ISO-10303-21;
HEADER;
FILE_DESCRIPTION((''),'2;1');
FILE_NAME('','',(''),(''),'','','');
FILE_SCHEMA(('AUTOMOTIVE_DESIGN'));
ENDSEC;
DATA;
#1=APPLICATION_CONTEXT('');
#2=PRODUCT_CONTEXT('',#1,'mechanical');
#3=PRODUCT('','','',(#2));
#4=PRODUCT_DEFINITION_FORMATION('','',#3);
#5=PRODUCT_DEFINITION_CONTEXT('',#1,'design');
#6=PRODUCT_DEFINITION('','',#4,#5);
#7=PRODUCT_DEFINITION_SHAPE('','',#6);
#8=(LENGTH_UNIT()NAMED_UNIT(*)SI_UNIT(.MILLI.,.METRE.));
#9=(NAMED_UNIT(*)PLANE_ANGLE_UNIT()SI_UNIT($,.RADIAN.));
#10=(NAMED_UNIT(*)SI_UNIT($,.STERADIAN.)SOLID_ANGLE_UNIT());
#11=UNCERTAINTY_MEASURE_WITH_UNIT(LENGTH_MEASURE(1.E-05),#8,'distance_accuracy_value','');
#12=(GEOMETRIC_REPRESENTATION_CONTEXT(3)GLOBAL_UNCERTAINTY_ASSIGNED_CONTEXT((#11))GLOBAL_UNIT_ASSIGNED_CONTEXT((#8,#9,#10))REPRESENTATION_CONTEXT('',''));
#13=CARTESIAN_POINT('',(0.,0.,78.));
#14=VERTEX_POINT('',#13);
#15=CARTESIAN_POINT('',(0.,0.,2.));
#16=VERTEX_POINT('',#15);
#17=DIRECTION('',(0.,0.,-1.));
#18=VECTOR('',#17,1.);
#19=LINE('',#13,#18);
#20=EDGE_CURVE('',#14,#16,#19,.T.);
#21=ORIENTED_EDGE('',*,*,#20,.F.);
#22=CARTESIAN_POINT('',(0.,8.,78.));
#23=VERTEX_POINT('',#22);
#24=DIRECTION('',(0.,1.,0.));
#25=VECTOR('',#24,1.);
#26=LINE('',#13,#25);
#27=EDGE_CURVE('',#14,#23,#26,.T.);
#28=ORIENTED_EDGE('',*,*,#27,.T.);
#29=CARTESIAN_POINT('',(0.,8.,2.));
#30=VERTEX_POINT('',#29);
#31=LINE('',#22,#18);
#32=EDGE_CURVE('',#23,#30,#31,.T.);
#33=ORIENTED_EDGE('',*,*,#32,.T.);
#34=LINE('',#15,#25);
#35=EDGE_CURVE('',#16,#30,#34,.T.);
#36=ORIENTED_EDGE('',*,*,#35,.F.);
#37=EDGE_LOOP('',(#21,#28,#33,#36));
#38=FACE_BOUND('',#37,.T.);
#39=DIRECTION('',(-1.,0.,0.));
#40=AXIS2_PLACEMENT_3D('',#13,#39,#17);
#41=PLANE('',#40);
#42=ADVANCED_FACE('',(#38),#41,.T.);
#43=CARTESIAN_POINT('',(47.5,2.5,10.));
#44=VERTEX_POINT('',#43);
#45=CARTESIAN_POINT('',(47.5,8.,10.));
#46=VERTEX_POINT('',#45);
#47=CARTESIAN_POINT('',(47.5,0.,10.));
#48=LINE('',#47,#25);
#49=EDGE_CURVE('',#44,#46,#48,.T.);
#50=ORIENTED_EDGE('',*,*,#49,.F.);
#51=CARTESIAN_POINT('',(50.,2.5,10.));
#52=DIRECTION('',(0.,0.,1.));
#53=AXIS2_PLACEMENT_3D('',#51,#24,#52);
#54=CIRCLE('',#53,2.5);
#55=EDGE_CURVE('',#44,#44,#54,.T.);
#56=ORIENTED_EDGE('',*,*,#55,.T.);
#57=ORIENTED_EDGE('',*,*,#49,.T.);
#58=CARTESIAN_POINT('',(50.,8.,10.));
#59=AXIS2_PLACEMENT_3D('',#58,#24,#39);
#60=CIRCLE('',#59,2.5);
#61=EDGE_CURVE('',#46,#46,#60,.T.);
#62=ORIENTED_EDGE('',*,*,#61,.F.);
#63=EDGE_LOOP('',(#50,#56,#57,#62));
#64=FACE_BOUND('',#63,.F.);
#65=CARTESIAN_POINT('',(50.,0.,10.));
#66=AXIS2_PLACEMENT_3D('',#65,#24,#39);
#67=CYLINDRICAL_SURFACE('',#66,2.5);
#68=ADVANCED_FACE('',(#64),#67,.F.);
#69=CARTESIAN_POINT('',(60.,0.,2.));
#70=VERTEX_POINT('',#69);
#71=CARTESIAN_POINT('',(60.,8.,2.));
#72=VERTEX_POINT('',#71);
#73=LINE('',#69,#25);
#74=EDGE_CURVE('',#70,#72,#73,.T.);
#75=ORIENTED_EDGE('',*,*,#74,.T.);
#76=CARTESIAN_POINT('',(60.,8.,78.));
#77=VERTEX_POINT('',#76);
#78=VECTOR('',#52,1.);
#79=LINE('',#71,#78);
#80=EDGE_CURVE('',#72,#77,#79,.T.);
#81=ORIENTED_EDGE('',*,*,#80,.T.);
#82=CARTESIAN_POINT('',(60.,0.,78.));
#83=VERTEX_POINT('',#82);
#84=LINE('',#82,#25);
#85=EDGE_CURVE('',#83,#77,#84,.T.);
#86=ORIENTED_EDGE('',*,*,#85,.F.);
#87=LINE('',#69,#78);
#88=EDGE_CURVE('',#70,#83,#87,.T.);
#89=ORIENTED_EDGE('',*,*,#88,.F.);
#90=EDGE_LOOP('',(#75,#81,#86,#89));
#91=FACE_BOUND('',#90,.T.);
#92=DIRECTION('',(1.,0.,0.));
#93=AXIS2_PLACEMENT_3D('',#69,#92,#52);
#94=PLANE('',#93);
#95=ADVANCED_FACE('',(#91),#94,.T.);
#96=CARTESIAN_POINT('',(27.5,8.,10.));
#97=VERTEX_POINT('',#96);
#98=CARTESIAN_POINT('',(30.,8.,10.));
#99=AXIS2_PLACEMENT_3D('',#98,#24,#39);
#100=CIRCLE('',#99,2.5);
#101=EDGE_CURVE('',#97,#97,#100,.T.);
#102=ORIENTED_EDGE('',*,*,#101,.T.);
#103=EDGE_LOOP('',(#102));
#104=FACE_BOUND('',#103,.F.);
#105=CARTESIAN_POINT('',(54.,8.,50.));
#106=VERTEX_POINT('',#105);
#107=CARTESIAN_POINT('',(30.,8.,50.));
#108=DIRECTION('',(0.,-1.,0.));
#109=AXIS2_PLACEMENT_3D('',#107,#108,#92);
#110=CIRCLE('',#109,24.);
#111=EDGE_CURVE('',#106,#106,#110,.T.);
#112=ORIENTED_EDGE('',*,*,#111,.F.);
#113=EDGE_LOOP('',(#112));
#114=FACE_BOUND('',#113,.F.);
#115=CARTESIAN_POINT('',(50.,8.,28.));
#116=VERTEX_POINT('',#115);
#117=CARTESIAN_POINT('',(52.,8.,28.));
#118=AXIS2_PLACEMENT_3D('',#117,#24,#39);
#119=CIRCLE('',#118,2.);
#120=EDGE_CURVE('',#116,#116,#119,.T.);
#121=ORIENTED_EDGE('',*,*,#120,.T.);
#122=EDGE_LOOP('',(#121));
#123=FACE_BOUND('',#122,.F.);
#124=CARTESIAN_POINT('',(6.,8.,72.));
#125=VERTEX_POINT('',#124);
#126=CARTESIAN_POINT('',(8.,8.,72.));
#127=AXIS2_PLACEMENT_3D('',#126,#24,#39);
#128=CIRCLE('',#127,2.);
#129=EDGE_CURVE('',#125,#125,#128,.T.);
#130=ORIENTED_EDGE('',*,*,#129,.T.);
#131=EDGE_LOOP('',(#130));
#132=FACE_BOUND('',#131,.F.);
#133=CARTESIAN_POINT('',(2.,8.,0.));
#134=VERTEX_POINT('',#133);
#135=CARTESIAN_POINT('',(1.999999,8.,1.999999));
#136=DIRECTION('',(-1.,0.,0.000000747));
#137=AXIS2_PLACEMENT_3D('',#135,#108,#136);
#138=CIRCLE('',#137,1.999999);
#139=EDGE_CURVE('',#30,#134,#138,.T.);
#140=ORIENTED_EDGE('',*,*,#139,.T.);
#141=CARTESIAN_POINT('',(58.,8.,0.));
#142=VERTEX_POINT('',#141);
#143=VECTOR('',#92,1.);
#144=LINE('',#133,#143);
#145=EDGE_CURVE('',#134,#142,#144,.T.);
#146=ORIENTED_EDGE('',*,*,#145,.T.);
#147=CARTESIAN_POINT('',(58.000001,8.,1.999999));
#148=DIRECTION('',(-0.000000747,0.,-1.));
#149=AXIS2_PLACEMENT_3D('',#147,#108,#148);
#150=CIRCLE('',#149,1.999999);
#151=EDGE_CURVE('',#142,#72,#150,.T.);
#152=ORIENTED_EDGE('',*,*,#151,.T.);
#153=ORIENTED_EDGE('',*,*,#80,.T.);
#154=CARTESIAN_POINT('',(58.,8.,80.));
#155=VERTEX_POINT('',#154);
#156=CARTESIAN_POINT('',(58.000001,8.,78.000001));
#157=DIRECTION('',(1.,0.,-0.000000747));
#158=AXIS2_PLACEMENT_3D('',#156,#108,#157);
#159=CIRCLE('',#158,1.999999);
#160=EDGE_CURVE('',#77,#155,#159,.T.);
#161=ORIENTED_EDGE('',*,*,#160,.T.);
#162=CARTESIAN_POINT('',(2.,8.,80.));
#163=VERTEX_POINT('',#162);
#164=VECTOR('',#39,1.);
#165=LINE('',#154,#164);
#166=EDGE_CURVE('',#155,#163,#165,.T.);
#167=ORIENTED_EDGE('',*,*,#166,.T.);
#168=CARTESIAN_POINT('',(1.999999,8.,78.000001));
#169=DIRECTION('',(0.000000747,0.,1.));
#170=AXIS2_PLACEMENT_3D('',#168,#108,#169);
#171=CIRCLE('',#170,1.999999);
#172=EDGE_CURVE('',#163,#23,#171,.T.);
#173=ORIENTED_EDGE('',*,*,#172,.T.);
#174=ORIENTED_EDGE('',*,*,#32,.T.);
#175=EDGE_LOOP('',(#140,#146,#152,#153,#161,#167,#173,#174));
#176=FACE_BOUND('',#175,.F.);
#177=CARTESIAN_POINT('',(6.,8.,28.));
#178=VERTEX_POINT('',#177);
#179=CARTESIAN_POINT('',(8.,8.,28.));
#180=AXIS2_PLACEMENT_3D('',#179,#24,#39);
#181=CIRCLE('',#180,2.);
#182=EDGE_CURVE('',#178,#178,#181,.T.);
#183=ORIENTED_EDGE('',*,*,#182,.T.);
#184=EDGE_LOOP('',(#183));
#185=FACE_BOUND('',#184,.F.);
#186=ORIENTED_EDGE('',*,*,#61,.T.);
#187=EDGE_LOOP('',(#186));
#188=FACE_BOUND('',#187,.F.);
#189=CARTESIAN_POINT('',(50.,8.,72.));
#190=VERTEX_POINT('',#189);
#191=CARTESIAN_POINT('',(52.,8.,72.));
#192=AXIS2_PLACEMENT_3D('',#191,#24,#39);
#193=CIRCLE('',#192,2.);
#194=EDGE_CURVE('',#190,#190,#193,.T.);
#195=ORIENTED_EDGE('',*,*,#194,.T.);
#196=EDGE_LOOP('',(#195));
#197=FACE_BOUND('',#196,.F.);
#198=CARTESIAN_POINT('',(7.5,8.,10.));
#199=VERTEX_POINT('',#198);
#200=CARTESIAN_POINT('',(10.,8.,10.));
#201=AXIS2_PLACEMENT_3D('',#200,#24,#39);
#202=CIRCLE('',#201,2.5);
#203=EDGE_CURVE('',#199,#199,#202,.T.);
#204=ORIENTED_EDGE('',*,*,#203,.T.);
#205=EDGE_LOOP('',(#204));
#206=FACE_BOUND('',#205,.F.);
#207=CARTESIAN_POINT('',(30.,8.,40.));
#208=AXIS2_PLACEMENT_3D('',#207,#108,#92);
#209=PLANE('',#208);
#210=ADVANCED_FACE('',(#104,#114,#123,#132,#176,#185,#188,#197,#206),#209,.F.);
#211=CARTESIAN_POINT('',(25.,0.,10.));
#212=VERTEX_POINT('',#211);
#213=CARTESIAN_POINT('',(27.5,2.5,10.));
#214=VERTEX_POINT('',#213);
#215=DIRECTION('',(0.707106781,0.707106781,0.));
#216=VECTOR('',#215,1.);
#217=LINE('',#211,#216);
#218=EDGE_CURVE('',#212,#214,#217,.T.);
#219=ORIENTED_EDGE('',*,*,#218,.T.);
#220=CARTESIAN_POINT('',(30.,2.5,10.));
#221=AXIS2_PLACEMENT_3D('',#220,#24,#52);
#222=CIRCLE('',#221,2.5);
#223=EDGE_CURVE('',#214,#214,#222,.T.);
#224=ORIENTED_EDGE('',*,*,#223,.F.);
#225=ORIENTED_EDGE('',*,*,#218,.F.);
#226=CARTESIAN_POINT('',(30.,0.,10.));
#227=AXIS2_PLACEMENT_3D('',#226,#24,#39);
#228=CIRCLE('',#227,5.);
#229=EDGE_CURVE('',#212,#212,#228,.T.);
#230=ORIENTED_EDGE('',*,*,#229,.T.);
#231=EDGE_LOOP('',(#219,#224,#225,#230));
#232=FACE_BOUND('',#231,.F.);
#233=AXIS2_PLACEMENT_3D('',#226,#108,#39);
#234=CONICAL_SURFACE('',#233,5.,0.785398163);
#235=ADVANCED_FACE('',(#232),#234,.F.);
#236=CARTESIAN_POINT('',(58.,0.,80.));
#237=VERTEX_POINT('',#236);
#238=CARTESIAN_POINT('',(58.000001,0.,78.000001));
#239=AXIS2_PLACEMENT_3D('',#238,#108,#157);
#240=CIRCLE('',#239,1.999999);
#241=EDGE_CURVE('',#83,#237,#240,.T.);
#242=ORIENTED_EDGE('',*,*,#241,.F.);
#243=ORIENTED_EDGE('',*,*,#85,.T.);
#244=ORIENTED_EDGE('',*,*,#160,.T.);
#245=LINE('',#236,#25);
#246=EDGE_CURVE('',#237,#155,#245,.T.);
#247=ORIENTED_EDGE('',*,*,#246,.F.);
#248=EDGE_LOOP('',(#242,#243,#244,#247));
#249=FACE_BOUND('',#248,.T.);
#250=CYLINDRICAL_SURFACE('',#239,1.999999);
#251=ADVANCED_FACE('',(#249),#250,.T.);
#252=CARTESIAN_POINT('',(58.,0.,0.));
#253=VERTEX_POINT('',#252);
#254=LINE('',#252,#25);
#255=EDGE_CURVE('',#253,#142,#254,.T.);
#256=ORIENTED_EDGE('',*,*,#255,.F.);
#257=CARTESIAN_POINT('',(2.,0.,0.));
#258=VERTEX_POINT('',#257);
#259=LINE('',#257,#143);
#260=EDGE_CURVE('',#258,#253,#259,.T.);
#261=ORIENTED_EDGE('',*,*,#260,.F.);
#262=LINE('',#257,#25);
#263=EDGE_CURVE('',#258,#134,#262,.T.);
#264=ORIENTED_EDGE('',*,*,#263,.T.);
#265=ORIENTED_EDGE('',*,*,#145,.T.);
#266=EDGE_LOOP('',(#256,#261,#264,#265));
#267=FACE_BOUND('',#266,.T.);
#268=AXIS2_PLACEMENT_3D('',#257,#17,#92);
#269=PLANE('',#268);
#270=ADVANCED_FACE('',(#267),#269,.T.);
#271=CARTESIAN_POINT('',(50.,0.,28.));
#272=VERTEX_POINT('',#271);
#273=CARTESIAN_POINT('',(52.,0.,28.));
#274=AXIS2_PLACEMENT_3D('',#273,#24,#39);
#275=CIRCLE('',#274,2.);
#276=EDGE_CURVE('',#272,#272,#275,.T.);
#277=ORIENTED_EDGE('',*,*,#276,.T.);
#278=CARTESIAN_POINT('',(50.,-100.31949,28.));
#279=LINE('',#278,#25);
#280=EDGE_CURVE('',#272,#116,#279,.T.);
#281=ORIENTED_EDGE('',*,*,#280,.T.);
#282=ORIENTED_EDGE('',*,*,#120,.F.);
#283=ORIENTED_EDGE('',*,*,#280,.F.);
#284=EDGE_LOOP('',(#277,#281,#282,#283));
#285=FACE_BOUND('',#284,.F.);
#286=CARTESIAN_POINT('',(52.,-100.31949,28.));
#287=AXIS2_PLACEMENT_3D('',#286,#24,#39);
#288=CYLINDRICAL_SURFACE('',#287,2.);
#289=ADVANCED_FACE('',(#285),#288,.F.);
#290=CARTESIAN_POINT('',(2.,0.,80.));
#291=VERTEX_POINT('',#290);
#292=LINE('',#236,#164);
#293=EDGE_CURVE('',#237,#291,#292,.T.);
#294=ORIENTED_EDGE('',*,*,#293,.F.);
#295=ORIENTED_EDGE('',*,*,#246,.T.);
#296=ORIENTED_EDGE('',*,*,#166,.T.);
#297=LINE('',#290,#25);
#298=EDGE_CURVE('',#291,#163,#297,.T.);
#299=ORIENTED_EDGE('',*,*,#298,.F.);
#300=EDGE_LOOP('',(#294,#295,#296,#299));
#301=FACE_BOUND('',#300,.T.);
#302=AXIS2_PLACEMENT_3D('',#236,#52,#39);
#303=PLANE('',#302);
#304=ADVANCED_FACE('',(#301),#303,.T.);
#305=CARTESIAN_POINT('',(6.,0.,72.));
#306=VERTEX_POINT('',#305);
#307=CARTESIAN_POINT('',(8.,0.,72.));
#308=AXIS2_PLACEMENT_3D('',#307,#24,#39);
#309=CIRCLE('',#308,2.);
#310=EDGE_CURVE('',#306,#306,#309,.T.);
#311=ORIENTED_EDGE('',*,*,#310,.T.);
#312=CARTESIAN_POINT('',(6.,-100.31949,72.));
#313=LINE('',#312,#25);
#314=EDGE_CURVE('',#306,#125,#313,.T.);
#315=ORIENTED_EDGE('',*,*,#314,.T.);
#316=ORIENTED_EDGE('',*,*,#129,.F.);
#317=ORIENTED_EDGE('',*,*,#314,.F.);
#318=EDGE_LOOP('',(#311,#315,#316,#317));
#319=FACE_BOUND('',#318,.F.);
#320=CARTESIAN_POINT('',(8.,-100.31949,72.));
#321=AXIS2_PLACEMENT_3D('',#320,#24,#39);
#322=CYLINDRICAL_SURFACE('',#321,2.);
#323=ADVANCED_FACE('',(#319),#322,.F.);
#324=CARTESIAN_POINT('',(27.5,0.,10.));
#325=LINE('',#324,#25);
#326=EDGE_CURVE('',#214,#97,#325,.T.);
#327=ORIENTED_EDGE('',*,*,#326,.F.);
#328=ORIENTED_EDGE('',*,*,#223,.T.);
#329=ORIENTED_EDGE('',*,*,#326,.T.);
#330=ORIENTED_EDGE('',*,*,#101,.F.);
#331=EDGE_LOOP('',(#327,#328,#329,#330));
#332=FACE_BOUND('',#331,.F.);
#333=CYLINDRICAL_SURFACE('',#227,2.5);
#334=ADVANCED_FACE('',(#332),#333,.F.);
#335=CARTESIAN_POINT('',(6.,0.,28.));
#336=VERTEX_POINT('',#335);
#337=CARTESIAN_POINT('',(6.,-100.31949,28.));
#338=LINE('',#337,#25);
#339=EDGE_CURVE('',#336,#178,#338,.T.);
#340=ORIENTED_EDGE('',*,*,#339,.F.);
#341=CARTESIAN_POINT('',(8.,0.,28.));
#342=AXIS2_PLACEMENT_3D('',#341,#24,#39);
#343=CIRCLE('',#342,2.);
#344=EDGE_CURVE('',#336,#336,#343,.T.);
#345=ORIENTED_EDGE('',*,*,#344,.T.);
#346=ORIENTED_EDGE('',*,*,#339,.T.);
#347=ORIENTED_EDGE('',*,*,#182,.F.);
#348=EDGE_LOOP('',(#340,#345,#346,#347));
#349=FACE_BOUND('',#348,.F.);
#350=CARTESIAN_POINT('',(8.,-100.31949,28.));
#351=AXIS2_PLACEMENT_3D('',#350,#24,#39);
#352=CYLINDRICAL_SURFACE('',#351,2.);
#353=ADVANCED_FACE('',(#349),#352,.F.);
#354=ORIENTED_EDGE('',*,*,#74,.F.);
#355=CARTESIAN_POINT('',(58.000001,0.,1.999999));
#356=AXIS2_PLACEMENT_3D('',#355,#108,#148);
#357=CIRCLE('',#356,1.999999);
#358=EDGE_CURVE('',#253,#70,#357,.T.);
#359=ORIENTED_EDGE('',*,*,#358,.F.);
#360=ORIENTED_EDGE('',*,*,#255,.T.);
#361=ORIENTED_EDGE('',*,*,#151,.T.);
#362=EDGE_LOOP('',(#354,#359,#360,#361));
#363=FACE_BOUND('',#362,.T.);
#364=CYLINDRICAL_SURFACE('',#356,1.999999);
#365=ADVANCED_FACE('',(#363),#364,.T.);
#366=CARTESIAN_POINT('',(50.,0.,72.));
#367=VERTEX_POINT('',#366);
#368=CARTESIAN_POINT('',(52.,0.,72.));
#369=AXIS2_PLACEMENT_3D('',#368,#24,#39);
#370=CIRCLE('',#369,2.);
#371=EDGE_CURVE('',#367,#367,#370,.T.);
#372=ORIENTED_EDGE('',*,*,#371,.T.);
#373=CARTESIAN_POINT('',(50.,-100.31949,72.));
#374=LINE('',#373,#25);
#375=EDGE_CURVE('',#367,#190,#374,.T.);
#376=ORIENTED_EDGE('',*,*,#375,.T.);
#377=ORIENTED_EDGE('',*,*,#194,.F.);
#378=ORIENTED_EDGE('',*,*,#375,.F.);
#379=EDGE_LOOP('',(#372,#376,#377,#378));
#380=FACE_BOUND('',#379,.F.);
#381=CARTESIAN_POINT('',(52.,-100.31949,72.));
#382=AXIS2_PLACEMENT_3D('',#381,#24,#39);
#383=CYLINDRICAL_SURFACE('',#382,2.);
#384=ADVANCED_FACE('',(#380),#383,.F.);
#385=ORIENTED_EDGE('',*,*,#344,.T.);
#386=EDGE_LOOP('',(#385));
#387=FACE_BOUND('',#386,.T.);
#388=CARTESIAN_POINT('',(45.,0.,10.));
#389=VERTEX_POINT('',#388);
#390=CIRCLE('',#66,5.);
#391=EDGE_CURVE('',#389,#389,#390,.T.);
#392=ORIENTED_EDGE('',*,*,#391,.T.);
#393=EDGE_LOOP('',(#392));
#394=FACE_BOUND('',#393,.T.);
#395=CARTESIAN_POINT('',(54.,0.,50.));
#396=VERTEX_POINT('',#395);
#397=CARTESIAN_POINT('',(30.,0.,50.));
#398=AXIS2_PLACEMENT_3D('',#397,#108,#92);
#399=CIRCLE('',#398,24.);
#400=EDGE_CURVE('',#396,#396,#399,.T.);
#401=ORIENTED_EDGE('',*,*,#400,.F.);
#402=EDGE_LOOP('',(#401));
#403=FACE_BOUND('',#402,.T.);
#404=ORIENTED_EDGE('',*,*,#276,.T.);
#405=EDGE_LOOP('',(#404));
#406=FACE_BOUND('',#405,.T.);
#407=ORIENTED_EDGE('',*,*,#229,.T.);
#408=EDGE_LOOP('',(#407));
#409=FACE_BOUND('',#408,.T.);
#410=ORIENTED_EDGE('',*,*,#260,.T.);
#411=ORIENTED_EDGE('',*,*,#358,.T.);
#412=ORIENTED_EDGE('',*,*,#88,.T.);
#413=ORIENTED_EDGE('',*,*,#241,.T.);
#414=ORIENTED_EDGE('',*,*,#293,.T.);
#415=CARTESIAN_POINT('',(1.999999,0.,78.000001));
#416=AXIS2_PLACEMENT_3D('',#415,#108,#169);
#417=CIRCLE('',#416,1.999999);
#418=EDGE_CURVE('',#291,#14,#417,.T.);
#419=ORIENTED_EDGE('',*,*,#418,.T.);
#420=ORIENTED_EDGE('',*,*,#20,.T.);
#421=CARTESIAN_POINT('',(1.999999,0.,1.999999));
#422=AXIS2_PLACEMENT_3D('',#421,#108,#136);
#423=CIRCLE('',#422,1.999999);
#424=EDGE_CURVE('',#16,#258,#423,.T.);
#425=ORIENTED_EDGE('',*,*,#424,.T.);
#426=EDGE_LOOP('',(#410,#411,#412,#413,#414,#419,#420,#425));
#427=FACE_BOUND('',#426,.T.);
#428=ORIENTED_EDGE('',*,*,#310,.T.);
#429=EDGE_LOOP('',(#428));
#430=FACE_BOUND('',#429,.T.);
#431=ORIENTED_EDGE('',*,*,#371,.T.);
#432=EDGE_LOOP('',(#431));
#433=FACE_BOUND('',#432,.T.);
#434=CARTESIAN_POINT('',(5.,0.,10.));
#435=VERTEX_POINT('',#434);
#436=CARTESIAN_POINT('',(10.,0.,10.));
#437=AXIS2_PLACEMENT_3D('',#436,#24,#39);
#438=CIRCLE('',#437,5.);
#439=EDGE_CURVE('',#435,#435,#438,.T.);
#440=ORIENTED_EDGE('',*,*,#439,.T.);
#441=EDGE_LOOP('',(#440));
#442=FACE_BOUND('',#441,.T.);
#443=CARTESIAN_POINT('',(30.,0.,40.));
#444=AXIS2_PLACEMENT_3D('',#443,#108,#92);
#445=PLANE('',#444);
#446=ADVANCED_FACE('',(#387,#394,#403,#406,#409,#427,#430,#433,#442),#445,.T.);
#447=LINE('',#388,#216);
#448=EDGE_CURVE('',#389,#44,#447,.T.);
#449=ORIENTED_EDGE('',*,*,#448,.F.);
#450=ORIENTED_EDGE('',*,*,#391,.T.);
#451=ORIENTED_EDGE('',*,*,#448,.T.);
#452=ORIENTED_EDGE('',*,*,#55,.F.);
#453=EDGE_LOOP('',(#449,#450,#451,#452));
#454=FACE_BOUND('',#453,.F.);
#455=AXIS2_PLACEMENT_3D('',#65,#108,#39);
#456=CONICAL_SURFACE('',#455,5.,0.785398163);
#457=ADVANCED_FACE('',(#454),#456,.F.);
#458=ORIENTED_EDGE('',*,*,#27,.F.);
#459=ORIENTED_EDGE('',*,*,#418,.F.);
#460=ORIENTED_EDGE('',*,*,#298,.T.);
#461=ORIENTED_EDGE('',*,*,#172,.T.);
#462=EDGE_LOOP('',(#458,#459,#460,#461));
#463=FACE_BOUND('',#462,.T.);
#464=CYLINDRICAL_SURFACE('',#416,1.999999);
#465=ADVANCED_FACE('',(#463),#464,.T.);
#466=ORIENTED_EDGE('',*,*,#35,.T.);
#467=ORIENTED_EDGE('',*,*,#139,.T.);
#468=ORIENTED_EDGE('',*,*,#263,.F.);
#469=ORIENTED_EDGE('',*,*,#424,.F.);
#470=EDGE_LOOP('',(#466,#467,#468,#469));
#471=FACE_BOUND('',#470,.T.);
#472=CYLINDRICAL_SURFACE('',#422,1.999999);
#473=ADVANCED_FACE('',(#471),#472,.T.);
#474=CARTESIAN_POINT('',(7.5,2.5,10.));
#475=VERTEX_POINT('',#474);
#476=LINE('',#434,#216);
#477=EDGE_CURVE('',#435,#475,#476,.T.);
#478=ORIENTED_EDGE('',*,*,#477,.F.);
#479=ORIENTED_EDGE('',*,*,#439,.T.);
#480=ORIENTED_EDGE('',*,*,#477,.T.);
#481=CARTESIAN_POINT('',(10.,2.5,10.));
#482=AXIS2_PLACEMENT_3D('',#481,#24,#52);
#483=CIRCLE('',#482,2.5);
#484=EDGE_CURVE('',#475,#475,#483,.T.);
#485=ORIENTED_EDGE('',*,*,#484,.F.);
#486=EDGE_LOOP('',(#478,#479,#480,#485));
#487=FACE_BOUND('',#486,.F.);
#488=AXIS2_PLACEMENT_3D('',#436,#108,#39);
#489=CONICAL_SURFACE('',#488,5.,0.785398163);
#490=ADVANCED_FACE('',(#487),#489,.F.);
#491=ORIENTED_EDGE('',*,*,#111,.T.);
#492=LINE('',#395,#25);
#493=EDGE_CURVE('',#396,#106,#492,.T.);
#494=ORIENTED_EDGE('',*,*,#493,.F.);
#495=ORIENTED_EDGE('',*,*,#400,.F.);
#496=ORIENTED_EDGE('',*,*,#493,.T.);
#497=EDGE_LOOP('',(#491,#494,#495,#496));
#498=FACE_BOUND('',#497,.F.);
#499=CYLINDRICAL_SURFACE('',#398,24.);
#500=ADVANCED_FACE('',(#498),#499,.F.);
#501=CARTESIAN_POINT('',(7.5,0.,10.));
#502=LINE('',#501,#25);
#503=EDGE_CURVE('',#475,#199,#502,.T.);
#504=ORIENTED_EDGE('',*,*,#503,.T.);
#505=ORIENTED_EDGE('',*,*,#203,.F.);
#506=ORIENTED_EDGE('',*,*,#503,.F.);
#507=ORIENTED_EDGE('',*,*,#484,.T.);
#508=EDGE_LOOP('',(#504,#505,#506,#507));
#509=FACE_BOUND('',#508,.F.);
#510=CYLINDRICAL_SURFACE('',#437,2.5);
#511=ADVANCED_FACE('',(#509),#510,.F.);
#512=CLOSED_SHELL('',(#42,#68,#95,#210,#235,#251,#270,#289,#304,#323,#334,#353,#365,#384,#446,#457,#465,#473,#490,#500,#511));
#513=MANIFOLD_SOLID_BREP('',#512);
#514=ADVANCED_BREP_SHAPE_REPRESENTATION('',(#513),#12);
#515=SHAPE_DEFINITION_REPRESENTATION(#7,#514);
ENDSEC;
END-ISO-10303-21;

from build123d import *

# Parameters (mm, degrees)
F0_R           = 24
F1_DEPTH       = 8
F2_D           = 5
F2_CSINK_D     = 10
F2_CSINK_ANGLE = 90
F3_D           = 4


with BuildPart() as f1:
    # F0 (on Front) → F1 (new body)
    with BuildSketch(Plane.XZ):
        with BuildLine():
            ThreePointArc((0, 2), (0.585786, 0.585786), (2, 0))
            Line((2, 0), (58, 0))
            ThreePointArc((58, 0), (59.414214, 0.585786), (60, 2))
            Line((60, 2), (60, 78))
            ThreePointArc((60, 78), (59.414214, 79.414214), (58, 80))
            Line((58, 80), (2, 80))
            ThreePointArc((2, 80), (0.585786, 79.414214), (0, 78))
            Line((0, 78), (0, 2))
        make_face()
        with Locations((30, 50)):
            Circle(F0_R, mode=Mode.SUBTRACT)
    extrude(amount=-F1_DEPTH)

    # F2 (through all)
    with Locations(Plane.XZ):
        with Locations((10, 10), (30, 10), (50, 10)):
            CounterSinkHole(F2_D / 2, F2_CSINK_D / 2, counter_sink_angle=F2_CSINK_ANGLE)

    # F3 (through all)
    with Locations(Plane.XZ):
        with Locations((8, 72), (52, 72), (52, 28), (8, 28)):
            Hole(F3_D / 2)


solid = f1.part
